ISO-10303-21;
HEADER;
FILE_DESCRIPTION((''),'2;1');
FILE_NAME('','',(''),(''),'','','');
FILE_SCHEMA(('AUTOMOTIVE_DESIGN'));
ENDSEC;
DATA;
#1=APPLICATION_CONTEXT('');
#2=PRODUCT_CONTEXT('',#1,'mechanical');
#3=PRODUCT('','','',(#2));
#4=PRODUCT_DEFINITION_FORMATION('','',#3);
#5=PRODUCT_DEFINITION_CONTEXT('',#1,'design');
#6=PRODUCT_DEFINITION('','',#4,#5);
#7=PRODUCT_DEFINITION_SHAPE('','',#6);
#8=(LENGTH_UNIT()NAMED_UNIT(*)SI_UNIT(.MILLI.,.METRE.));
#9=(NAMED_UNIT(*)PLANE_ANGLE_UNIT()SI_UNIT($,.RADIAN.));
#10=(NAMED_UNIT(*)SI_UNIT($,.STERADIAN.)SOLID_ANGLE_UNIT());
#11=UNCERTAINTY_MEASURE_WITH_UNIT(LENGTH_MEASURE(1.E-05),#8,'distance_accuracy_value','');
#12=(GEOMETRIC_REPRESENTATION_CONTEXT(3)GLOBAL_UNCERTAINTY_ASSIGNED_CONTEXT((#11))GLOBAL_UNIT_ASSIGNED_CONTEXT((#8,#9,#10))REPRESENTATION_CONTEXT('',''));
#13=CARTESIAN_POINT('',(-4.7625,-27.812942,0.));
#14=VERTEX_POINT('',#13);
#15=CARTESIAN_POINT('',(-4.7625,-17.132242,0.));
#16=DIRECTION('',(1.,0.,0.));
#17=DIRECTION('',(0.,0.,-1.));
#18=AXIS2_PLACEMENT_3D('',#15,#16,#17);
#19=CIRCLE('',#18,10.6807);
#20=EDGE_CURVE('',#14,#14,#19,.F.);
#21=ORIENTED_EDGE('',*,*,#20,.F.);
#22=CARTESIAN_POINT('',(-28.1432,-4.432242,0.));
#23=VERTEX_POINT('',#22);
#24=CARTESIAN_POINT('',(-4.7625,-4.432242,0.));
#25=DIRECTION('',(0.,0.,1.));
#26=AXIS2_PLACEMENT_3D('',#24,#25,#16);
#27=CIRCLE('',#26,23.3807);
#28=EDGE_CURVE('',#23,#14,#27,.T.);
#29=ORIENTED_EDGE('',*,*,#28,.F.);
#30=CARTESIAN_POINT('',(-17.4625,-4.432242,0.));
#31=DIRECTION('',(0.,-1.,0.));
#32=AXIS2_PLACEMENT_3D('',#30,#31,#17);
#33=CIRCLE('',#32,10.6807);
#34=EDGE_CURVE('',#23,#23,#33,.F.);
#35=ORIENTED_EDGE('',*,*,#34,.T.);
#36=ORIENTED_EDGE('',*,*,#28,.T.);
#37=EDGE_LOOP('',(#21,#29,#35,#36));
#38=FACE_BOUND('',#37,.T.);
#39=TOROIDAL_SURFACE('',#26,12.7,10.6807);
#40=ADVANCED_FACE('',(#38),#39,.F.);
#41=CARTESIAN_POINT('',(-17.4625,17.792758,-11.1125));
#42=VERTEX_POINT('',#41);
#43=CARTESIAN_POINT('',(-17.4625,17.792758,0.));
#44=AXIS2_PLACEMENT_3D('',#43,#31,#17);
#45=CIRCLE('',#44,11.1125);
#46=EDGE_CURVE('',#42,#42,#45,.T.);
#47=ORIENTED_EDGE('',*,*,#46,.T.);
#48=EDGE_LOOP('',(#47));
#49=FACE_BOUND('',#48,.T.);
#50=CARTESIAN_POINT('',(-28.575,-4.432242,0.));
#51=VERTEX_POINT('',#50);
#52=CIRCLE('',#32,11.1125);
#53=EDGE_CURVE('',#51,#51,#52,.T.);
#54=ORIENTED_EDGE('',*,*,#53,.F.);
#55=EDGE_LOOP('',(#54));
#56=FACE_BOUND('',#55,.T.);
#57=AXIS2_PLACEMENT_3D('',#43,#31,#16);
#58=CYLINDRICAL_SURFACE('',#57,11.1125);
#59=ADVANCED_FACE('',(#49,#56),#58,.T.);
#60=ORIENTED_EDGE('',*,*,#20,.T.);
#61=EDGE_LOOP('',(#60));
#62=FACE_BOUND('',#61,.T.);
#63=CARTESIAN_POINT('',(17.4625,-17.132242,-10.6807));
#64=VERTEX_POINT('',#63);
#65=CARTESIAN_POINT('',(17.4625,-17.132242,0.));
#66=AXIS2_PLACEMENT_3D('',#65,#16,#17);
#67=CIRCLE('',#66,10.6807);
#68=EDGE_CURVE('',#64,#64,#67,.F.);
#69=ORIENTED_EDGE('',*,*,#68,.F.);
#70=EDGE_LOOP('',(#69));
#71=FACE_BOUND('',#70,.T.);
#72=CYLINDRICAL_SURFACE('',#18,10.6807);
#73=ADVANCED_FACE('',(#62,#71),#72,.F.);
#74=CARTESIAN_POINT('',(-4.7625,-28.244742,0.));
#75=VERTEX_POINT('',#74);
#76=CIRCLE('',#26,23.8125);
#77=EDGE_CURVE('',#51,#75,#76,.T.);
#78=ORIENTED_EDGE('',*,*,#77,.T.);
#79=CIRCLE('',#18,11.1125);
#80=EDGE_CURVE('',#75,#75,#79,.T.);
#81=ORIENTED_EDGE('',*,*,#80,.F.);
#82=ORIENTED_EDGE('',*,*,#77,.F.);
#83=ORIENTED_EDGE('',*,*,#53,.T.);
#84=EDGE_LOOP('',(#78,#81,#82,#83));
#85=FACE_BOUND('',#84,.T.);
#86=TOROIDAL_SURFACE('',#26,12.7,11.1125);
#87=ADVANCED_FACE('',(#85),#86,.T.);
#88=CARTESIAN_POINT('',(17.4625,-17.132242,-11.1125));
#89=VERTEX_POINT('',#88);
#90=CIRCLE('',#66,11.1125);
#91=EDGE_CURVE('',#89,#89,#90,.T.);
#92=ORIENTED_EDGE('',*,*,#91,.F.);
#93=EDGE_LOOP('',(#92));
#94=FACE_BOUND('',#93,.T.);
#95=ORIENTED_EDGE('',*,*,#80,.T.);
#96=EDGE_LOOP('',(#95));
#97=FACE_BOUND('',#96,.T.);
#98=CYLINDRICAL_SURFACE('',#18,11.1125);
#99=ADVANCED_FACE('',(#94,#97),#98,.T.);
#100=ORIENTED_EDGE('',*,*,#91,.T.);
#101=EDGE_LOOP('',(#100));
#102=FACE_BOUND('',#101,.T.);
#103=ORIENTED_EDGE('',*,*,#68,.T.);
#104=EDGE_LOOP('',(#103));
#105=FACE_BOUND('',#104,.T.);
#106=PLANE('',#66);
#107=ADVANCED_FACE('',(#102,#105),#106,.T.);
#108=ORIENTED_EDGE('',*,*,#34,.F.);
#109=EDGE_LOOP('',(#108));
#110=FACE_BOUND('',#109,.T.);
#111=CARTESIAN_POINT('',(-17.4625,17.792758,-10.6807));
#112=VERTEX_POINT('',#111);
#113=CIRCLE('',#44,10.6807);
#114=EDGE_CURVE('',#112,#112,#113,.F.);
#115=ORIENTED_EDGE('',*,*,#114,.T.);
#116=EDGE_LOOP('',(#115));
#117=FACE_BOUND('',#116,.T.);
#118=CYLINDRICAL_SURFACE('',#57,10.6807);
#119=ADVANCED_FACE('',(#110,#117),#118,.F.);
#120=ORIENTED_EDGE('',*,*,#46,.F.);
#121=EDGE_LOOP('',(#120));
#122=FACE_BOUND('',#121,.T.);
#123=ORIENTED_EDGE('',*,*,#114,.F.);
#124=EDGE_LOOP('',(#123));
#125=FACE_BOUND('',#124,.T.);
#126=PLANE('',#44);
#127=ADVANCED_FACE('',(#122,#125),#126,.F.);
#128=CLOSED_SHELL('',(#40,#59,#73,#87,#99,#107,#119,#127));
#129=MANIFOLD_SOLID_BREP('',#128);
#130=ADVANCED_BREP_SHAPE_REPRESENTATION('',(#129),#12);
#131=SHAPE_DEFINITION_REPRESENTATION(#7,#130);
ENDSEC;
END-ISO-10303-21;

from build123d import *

# Parameters (mm, degrees)
SKETCH2_R   = 11.1125
SKETCH2_R_2 = 10.6807


with BuildPart() as part:
    # Sweep1: sweep along a path in Sketch1
    with BuildLine(Plane.XY) as sweep1_path:
        Line((-17.4625, 17.792757526), (-17.4625, -4.432242474))
        ThreePointArc((-17.4625, -4.432242474), (-13.742756121, -13.412498595), (-4.7625, -17.132242474))
        Line((-4.7625, -17.132242474), (17.4625, -17.132242474))
    # Sketch2 → Sweep1 (sweep)
    with BuildSketch(Plane(origin=(17.4625, -17.132242474, 0), x_dir=(0, 0, -1), z_dir=(1, 0, 0))):
        Circle(SKETCH2_R)
        Circle(SKETCH2_R_2, mode=Mode.SUBTRACT)
    sweep(path=sweep1_path.line)


solid = part.part
